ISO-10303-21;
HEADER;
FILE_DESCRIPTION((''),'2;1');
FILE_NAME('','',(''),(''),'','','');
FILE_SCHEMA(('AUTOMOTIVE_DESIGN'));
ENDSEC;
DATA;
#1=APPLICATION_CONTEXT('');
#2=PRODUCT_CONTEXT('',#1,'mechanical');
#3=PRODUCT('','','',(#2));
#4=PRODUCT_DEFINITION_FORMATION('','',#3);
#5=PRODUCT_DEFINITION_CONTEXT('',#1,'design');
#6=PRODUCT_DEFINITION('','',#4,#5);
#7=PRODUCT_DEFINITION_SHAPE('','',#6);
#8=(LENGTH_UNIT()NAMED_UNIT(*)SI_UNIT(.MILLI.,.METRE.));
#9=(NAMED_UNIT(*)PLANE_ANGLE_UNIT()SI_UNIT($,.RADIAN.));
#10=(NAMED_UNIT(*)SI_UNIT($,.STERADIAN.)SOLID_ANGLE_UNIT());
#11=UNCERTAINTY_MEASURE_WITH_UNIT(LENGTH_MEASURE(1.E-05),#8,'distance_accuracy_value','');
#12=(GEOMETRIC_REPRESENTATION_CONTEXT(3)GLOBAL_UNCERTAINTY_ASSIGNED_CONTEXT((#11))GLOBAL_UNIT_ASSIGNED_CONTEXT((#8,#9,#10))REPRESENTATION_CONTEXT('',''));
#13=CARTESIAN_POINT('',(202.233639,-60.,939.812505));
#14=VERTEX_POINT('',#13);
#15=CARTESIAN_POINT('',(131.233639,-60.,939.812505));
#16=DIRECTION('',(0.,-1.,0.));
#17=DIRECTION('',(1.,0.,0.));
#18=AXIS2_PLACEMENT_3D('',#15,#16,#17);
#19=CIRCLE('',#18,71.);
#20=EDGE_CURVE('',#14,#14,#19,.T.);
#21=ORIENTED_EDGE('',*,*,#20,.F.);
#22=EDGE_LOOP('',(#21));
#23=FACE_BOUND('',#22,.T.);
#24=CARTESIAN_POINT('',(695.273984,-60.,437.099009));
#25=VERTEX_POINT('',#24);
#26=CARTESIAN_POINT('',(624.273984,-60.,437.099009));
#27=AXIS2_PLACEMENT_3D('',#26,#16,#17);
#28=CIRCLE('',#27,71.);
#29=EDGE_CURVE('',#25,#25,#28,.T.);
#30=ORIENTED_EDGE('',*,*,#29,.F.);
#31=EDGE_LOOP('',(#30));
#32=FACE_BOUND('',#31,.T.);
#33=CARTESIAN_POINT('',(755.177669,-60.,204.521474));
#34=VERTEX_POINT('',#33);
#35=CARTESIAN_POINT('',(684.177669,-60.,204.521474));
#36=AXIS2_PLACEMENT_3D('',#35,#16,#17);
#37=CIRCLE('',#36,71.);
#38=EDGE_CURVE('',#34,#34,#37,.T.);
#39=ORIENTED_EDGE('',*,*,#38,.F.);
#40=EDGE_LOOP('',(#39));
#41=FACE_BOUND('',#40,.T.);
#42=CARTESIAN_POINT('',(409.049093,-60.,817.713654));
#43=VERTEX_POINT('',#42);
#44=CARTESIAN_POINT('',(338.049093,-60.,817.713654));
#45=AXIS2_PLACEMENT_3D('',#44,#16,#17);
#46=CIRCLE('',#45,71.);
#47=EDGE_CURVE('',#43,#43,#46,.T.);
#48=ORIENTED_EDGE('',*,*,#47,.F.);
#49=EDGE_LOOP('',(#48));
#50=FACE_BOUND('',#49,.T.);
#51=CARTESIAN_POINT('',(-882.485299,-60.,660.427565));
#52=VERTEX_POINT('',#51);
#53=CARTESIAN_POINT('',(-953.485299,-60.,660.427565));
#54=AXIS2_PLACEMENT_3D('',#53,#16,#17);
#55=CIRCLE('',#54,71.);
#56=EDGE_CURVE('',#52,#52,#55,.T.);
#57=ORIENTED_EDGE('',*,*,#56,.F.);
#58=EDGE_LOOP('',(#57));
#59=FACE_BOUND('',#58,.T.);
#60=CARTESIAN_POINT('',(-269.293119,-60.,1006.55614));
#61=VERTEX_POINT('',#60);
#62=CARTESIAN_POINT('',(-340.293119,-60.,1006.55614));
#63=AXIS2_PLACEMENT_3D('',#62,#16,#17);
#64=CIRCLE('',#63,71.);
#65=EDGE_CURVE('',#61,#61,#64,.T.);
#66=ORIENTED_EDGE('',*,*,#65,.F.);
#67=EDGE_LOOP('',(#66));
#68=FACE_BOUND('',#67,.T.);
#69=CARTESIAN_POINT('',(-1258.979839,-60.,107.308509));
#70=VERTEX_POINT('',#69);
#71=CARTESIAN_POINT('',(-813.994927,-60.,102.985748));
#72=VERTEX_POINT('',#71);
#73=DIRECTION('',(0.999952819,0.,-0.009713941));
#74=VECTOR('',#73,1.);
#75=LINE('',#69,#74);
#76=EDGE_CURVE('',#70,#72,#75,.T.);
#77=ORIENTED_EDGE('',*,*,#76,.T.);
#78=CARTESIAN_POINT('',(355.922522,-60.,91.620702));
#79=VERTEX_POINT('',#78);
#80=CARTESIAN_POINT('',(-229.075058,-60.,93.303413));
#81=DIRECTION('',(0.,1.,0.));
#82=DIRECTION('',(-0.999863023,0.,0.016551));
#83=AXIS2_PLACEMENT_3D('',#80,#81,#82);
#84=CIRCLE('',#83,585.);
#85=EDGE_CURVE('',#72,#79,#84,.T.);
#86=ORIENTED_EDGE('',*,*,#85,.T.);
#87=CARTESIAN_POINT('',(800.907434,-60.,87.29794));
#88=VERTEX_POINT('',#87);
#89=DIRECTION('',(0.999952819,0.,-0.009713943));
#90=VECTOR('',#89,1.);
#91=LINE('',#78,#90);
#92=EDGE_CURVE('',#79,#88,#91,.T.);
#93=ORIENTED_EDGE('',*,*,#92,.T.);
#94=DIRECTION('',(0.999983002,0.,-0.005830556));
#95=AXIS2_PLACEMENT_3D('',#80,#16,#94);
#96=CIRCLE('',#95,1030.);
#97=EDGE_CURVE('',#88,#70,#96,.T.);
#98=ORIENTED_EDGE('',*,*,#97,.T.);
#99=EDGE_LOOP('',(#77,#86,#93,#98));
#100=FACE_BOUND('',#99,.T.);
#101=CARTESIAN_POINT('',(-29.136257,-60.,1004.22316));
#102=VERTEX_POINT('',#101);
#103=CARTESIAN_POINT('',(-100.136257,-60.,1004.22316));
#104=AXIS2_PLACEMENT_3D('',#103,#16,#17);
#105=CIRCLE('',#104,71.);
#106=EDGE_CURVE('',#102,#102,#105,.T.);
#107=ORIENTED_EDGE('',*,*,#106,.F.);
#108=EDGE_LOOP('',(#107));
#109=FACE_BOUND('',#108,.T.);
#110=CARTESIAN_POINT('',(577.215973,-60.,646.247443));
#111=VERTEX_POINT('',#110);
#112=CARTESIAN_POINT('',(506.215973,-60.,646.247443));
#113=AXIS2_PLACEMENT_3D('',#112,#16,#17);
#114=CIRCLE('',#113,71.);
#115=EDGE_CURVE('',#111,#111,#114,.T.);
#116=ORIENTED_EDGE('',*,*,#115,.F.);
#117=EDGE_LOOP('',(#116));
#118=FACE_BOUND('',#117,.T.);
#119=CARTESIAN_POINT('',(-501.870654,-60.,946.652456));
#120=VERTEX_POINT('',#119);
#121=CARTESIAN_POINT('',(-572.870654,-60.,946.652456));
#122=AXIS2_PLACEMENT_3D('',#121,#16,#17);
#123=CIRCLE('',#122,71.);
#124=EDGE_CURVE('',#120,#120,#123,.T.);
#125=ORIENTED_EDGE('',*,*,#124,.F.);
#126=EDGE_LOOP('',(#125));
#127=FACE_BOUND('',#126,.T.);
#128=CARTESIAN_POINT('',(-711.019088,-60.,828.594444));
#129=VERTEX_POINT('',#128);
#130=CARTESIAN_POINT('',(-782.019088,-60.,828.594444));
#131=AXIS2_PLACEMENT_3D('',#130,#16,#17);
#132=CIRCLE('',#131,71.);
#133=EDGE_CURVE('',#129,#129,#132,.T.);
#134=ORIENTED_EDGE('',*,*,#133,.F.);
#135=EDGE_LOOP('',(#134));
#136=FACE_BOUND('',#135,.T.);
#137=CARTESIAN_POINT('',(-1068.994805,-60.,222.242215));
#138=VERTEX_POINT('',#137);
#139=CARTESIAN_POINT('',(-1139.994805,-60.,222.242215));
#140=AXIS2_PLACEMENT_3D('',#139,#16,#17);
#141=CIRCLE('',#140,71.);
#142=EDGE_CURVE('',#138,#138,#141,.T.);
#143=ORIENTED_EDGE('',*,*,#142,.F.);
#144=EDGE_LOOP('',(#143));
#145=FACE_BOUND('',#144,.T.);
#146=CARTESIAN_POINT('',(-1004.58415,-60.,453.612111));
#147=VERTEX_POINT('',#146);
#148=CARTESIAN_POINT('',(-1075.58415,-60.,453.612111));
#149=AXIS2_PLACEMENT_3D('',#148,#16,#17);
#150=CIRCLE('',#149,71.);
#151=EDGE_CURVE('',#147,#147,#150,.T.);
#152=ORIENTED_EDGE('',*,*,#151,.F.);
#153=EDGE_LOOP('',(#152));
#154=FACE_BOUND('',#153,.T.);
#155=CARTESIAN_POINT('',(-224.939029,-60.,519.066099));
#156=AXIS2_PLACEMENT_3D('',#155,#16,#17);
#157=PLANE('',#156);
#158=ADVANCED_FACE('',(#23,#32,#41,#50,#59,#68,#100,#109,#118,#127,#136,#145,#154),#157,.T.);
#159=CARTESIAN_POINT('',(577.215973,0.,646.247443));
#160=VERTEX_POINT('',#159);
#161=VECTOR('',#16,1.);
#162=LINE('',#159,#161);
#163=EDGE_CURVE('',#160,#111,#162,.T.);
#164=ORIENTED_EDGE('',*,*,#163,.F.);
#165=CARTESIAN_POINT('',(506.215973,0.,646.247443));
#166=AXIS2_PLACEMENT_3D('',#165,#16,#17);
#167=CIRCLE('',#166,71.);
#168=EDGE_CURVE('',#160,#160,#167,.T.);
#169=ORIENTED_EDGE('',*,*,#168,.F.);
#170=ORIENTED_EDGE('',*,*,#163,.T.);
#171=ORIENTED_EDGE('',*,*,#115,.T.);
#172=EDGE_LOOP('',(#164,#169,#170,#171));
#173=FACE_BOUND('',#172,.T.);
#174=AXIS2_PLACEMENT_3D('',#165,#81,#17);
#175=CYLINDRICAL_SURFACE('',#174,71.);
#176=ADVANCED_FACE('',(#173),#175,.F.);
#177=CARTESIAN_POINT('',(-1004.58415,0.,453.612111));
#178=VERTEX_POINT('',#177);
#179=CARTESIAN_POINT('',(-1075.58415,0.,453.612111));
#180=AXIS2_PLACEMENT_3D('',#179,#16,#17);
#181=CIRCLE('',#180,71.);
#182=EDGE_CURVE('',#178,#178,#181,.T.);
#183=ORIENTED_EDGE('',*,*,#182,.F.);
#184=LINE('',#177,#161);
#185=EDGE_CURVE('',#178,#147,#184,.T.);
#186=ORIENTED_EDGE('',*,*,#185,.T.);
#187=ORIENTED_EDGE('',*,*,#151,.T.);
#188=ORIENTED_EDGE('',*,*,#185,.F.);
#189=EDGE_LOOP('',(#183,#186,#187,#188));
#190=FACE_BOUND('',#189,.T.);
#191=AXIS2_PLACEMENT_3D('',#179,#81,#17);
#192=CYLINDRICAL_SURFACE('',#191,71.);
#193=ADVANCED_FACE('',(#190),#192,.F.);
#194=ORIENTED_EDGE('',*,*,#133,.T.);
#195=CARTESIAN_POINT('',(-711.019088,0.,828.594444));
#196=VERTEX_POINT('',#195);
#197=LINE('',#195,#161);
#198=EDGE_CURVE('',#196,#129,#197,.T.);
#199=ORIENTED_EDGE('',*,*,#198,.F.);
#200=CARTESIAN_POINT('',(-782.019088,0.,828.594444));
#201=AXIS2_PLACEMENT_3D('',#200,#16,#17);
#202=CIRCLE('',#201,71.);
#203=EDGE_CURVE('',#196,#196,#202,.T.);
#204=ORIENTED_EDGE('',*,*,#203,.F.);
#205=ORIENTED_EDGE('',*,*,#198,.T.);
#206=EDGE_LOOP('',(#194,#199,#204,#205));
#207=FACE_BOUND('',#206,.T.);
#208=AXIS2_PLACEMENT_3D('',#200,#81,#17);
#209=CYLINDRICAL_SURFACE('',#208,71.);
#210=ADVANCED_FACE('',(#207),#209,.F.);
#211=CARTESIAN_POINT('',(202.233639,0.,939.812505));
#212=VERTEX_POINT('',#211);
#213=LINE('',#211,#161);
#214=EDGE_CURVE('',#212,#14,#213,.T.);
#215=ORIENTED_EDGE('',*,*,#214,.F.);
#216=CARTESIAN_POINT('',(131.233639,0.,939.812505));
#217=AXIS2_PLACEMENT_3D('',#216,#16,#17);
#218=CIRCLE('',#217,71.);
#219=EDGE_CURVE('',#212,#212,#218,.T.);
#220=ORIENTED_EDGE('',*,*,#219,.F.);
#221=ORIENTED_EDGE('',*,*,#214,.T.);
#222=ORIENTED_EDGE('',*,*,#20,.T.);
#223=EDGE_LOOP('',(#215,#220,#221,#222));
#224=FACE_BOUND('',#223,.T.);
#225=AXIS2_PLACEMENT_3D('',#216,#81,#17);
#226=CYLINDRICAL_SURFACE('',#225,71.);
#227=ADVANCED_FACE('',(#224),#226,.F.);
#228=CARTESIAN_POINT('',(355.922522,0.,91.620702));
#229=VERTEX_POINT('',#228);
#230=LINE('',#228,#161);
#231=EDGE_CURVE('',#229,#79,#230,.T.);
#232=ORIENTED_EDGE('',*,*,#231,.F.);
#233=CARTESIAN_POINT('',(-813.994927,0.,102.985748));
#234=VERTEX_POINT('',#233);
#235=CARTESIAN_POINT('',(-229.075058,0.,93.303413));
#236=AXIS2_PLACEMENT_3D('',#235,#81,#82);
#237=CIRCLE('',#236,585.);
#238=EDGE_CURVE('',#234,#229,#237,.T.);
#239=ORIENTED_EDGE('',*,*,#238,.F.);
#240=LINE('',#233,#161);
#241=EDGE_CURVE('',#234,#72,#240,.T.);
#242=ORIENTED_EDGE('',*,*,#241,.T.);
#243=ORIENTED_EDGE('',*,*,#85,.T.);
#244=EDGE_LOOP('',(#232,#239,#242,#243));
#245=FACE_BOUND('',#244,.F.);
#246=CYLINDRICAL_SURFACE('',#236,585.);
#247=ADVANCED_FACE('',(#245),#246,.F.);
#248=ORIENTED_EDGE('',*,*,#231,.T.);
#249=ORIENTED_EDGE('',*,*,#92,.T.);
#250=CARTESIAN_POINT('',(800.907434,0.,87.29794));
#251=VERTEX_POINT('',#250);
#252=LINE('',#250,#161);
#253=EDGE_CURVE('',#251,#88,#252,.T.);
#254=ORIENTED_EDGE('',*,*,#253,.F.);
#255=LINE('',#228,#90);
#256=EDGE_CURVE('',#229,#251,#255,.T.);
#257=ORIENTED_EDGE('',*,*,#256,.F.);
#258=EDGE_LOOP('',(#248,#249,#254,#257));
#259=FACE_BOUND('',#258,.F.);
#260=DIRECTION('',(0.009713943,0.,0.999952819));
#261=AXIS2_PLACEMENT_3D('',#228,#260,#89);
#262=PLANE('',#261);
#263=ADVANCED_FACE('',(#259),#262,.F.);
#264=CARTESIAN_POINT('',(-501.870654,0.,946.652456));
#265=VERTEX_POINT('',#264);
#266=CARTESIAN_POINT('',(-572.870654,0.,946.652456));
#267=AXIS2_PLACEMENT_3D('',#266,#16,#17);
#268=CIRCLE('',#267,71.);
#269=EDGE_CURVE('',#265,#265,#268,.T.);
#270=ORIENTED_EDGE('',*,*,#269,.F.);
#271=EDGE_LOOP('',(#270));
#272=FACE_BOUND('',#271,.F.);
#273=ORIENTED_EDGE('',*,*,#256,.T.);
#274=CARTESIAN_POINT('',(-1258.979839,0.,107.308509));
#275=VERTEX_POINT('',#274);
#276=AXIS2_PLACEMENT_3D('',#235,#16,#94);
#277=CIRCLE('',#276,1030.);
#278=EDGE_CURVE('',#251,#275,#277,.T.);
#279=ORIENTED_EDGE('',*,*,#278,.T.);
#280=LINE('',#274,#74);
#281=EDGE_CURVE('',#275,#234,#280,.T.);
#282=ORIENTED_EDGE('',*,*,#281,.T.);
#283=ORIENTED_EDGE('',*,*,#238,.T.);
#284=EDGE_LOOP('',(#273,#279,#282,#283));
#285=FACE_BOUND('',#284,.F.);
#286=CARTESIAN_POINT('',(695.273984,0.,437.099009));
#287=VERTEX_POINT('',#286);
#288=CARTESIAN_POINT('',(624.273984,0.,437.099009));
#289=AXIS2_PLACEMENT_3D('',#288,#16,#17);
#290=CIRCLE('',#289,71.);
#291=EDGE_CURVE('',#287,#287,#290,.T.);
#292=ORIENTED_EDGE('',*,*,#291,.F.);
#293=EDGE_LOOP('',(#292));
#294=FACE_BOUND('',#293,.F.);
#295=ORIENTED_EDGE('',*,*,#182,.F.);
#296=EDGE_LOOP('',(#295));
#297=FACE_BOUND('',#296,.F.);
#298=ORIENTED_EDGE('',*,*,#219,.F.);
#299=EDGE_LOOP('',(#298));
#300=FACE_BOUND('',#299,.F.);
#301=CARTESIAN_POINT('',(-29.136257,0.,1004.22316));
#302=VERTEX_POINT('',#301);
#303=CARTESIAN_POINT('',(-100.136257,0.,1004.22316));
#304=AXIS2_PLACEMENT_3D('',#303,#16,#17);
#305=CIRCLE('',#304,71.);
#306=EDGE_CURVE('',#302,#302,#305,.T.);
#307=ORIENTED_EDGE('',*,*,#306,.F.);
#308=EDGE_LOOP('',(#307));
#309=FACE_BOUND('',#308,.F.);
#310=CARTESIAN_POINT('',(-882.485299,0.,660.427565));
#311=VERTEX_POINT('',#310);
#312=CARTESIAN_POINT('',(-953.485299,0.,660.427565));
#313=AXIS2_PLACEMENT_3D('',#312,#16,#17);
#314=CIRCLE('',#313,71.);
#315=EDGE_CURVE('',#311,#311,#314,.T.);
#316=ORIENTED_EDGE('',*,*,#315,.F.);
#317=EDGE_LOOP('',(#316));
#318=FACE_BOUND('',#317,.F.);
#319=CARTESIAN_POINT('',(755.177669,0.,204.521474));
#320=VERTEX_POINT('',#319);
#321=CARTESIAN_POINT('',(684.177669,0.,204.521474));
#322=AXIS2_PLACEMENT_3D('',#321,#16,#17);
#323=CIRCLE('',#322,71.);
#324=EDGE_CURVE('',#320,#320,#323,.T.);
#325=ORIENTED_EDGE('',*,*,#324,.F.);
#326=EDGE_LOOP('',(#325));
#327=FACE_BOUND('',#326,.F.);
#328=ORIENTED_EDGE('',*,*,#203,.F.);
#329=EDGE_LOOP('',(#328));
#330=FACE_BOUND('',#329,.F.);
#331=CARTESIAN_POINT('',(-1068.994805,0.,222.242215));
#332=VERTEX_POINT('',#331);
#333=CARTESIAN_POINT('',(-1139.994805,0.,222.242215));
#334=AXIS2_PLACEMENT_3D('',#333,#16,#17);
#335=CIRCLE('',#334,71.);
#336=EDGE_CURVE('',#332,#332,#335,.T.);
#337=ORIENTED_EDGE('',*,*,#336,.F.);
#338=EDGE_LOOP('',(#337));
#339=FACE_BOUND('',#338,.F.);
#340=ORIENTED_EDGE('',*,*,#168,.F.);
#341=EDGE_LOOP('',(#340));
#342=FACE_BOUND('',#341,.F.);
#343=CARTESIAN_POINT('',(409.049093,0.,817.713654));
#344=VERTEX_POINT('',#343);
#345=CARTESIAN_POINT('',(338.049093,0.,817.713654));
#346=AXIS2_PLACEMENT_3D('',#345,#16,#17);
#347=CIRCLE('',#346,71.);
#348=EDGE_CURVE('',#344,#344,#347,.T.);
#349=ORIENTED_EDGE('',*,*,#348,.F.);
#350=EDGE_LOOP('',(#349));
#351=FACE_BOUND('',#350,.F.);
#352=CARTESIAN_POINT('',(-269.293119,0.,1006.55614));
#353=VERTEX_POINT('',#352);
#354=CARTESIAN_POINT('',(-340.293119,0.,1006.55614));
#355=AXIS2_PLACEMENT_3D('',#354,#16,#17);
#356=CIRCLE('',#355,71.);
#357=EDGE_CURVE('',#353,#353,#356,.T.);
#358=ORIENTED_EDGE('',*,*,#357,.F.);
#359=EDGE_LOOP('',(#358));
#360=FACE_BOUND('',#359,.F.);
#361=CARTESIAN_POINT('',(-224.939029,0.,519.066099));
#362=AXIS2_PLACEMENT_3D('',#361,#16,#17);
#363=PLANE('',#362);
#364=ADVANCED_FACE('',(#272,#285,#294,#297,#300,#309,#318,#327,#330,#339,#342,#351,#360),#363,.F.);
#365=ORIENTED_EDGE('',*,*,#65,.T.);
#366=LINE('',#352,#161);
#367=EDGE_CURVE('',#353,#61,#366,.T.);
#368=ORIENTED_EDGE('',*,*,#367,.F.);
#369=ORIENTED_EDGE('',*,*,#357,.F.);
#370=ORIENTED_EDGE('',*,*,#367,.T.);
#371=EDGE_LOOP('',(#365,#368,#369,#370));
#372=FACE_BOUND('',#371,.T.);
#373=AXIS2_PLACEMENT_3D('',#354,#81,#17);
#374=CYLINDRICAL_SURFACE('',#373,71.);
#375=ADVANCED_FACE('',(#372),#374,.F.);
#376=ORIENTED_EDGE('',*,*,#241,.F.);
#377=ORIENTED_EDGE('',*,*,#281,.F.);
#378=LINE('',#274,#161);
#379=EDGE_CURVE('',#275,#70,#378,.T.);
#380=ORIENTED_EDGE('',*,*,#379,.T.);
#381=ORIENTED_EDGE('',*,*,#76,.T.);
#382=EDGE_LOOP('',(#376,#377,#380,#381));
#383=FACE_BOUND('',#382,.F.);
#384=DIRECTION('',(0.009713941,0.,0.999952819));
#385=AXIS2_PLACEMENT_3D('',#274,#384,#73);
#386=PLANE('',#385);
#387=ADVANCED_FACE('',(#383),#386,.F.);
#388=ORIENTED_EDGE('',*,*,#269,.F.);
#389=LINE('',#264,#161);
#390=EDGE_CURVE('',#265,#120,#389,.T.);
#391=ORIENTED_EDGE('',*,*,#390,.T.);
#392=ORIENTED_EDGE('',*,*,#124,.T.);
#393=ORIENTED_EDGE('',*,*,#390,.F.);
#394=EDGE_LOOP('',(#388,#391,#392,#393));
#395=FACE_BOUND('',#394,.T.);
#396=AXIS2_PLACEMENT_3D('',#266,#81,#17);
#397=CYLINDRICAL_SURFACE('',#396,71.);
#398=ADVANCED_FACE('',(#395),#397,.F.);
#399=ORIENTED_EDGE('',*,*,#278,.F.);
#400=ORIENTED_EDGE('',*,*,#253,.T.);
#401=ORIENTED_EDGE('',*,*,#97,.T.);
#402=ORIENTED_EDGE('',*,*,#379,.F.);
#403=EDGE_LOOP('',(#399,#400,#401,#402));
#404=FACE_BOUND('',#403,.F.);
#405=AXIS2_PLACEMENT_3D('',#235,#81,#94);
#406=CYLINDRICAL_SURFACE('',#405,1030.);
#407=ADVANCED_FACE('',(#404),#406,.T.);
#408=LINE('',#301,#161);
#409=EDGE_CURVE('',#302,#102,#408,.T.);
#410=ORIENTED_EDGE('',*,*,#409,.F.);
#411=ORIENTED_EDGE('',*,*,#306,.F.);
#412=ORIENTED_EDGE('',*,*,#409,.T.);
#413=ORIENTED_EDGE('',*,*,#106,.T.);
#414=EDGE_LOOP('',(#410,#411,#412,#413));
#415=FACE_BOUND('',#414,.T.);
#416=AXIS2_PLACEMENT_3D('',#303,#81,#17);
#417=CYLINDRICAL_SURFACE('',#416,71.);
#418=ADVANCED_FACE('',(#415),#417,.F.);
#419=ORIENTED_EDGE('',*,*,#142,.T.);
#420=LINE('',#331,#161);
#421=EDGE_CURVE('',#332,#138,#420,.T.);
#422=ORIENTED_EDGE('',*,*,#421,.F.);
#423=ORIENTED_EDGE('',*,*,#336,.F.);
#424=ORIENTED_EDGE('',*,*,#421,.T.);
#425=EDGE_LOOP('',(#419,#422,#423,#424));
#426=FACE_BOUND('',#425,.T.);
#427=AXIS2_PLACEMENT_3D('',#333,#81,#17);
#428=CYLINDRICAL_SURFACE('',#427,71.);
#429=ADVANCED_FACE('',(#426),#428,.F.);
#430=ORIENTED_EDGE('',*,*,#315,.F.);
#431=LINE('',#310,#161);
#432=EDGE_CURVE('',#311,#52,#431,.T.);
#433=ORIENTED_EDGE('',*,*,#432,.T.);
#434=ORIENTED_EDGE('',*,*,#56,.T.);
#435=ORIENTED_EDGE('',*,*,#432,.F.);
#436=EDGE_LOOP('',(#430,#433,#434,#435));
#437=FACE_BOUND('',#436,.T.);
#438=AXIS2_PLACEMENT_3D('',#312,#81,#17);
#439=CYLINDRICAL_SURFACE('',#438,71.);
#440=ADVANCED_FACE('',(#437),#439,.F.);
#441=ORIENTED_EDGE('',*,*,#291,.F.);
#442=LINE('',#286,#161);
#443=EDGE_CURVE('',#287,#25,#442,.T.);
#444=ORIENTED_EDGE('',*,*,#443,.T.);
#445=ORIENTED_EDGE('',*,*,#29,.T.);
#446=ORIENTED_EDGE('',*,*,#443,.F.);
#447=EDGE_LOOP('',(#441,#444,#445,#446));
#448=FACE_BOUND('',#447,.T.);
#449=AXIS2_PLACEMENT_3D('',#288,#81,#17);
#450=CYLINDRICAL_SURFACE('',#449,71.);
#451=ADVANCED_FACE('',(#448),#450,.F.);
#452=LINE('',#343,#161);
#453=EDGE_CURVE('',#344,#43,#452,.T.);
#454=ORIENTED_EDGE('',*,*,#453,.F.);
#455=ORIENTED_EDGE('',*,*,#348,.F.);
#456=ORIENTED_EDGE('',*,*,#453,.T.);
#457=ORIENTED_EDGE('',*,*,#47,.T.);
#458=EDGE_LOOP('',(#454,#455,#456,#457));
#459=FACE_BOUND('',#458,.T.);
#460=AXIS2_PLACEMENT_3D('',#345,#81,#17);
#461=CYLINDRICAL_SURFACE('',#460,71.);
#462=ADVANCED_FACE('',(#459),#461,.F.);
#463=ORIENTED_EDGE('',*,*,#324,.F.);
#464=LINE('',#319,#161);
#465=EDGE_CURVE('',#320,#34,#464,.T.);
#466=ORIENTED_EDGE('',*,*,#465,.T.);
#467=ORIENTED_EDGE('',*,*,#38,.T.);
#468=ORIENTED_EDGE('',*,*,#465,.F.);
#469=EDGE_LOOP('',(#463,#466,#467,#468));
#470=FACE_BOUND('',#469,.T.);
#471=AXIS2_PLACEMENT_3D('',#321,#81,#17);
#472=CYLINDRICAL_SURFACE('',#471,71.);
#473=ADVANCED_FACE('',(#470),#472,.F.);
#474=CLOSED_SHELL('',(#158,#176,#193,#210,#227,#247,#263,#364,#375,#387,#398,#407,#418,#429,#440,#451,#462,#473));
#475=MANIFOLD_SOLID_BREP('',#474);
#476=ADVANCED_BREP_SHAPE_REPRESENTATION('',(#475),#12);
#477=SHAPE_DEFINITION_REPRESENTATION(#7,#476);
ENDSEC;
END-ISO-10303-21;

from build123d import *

# Parameters (mm, degrees)
F0_R     = 71
F1_DEPTH = 60


with BuildPart() as f1:
    # F0 (on Front) → F1 (new body)
    with BuildSketch(Plane.XZ):
        with BuildLine():
            ThreePointArc((-813.994927, 102.985748), (-223.392402, 678.275812), (355.922522, 91.620702))
            Line((355.922522, 91.620702), (800.907434, 87.29794))
            ThreePointArc((800.907434, 87.29794), (-219.069698, 1123.254816), (-1258.979839, 107.308509))
            Line((-1258.979839, 107.308509), (-813.994927, 102.985748))
        make_face()
        with Locations((-1139.994805, 222.242215)):
            Circle(F0_R, mode=Mode.SUBTRACT)
        with Locations((-1075.58415, 453.612111)):
            Circle(F0_R, mode=Mode.SUBTRACT)
        with Locations((684.177669, 204.521474)):
            Circle(F0_R, mode=Mode.SUBTRACT)
        with Locations((624.273984, 437.099009)):
            Circle(F0_R, mode=Mode.SUBTRACT)
        with Locations((-953.485299, 660.427565)):
            Circle(F0_R, mode=Mode.SUBTRACT)
        with Locations((-782.019088, 828.594444)):
            Circle(F0_R, mode=Mode.SUBTRACT)
        with Locations((-572.870654, 946.652456)):
            Circle(F0_R, mode=Mode.SUBTRACT)
        with Locations((-340.293119, 1006.55614)):
            Circle(F0_R, mode=Mode.SUBTRACT)
        with Locations((506.215973, 646.247443)):
            Circle(F0_R, mode=Mode.SUBTRACT)
        with Locations((338.049093, 817.713654)):
            Circle(F0_R, mode=Mode.SUBTRACT)
        with Locations((131.233639, 939.812505)):
            Circle(F0_R, mode=Mode.SUBTRACT)
        with Locations((-100.136257, 1004.22316)):
            Circle(F0_R, mode=Mode.SUBTRACT)
    extrude(amount=F1_DEPTH)


solid = f1.part
